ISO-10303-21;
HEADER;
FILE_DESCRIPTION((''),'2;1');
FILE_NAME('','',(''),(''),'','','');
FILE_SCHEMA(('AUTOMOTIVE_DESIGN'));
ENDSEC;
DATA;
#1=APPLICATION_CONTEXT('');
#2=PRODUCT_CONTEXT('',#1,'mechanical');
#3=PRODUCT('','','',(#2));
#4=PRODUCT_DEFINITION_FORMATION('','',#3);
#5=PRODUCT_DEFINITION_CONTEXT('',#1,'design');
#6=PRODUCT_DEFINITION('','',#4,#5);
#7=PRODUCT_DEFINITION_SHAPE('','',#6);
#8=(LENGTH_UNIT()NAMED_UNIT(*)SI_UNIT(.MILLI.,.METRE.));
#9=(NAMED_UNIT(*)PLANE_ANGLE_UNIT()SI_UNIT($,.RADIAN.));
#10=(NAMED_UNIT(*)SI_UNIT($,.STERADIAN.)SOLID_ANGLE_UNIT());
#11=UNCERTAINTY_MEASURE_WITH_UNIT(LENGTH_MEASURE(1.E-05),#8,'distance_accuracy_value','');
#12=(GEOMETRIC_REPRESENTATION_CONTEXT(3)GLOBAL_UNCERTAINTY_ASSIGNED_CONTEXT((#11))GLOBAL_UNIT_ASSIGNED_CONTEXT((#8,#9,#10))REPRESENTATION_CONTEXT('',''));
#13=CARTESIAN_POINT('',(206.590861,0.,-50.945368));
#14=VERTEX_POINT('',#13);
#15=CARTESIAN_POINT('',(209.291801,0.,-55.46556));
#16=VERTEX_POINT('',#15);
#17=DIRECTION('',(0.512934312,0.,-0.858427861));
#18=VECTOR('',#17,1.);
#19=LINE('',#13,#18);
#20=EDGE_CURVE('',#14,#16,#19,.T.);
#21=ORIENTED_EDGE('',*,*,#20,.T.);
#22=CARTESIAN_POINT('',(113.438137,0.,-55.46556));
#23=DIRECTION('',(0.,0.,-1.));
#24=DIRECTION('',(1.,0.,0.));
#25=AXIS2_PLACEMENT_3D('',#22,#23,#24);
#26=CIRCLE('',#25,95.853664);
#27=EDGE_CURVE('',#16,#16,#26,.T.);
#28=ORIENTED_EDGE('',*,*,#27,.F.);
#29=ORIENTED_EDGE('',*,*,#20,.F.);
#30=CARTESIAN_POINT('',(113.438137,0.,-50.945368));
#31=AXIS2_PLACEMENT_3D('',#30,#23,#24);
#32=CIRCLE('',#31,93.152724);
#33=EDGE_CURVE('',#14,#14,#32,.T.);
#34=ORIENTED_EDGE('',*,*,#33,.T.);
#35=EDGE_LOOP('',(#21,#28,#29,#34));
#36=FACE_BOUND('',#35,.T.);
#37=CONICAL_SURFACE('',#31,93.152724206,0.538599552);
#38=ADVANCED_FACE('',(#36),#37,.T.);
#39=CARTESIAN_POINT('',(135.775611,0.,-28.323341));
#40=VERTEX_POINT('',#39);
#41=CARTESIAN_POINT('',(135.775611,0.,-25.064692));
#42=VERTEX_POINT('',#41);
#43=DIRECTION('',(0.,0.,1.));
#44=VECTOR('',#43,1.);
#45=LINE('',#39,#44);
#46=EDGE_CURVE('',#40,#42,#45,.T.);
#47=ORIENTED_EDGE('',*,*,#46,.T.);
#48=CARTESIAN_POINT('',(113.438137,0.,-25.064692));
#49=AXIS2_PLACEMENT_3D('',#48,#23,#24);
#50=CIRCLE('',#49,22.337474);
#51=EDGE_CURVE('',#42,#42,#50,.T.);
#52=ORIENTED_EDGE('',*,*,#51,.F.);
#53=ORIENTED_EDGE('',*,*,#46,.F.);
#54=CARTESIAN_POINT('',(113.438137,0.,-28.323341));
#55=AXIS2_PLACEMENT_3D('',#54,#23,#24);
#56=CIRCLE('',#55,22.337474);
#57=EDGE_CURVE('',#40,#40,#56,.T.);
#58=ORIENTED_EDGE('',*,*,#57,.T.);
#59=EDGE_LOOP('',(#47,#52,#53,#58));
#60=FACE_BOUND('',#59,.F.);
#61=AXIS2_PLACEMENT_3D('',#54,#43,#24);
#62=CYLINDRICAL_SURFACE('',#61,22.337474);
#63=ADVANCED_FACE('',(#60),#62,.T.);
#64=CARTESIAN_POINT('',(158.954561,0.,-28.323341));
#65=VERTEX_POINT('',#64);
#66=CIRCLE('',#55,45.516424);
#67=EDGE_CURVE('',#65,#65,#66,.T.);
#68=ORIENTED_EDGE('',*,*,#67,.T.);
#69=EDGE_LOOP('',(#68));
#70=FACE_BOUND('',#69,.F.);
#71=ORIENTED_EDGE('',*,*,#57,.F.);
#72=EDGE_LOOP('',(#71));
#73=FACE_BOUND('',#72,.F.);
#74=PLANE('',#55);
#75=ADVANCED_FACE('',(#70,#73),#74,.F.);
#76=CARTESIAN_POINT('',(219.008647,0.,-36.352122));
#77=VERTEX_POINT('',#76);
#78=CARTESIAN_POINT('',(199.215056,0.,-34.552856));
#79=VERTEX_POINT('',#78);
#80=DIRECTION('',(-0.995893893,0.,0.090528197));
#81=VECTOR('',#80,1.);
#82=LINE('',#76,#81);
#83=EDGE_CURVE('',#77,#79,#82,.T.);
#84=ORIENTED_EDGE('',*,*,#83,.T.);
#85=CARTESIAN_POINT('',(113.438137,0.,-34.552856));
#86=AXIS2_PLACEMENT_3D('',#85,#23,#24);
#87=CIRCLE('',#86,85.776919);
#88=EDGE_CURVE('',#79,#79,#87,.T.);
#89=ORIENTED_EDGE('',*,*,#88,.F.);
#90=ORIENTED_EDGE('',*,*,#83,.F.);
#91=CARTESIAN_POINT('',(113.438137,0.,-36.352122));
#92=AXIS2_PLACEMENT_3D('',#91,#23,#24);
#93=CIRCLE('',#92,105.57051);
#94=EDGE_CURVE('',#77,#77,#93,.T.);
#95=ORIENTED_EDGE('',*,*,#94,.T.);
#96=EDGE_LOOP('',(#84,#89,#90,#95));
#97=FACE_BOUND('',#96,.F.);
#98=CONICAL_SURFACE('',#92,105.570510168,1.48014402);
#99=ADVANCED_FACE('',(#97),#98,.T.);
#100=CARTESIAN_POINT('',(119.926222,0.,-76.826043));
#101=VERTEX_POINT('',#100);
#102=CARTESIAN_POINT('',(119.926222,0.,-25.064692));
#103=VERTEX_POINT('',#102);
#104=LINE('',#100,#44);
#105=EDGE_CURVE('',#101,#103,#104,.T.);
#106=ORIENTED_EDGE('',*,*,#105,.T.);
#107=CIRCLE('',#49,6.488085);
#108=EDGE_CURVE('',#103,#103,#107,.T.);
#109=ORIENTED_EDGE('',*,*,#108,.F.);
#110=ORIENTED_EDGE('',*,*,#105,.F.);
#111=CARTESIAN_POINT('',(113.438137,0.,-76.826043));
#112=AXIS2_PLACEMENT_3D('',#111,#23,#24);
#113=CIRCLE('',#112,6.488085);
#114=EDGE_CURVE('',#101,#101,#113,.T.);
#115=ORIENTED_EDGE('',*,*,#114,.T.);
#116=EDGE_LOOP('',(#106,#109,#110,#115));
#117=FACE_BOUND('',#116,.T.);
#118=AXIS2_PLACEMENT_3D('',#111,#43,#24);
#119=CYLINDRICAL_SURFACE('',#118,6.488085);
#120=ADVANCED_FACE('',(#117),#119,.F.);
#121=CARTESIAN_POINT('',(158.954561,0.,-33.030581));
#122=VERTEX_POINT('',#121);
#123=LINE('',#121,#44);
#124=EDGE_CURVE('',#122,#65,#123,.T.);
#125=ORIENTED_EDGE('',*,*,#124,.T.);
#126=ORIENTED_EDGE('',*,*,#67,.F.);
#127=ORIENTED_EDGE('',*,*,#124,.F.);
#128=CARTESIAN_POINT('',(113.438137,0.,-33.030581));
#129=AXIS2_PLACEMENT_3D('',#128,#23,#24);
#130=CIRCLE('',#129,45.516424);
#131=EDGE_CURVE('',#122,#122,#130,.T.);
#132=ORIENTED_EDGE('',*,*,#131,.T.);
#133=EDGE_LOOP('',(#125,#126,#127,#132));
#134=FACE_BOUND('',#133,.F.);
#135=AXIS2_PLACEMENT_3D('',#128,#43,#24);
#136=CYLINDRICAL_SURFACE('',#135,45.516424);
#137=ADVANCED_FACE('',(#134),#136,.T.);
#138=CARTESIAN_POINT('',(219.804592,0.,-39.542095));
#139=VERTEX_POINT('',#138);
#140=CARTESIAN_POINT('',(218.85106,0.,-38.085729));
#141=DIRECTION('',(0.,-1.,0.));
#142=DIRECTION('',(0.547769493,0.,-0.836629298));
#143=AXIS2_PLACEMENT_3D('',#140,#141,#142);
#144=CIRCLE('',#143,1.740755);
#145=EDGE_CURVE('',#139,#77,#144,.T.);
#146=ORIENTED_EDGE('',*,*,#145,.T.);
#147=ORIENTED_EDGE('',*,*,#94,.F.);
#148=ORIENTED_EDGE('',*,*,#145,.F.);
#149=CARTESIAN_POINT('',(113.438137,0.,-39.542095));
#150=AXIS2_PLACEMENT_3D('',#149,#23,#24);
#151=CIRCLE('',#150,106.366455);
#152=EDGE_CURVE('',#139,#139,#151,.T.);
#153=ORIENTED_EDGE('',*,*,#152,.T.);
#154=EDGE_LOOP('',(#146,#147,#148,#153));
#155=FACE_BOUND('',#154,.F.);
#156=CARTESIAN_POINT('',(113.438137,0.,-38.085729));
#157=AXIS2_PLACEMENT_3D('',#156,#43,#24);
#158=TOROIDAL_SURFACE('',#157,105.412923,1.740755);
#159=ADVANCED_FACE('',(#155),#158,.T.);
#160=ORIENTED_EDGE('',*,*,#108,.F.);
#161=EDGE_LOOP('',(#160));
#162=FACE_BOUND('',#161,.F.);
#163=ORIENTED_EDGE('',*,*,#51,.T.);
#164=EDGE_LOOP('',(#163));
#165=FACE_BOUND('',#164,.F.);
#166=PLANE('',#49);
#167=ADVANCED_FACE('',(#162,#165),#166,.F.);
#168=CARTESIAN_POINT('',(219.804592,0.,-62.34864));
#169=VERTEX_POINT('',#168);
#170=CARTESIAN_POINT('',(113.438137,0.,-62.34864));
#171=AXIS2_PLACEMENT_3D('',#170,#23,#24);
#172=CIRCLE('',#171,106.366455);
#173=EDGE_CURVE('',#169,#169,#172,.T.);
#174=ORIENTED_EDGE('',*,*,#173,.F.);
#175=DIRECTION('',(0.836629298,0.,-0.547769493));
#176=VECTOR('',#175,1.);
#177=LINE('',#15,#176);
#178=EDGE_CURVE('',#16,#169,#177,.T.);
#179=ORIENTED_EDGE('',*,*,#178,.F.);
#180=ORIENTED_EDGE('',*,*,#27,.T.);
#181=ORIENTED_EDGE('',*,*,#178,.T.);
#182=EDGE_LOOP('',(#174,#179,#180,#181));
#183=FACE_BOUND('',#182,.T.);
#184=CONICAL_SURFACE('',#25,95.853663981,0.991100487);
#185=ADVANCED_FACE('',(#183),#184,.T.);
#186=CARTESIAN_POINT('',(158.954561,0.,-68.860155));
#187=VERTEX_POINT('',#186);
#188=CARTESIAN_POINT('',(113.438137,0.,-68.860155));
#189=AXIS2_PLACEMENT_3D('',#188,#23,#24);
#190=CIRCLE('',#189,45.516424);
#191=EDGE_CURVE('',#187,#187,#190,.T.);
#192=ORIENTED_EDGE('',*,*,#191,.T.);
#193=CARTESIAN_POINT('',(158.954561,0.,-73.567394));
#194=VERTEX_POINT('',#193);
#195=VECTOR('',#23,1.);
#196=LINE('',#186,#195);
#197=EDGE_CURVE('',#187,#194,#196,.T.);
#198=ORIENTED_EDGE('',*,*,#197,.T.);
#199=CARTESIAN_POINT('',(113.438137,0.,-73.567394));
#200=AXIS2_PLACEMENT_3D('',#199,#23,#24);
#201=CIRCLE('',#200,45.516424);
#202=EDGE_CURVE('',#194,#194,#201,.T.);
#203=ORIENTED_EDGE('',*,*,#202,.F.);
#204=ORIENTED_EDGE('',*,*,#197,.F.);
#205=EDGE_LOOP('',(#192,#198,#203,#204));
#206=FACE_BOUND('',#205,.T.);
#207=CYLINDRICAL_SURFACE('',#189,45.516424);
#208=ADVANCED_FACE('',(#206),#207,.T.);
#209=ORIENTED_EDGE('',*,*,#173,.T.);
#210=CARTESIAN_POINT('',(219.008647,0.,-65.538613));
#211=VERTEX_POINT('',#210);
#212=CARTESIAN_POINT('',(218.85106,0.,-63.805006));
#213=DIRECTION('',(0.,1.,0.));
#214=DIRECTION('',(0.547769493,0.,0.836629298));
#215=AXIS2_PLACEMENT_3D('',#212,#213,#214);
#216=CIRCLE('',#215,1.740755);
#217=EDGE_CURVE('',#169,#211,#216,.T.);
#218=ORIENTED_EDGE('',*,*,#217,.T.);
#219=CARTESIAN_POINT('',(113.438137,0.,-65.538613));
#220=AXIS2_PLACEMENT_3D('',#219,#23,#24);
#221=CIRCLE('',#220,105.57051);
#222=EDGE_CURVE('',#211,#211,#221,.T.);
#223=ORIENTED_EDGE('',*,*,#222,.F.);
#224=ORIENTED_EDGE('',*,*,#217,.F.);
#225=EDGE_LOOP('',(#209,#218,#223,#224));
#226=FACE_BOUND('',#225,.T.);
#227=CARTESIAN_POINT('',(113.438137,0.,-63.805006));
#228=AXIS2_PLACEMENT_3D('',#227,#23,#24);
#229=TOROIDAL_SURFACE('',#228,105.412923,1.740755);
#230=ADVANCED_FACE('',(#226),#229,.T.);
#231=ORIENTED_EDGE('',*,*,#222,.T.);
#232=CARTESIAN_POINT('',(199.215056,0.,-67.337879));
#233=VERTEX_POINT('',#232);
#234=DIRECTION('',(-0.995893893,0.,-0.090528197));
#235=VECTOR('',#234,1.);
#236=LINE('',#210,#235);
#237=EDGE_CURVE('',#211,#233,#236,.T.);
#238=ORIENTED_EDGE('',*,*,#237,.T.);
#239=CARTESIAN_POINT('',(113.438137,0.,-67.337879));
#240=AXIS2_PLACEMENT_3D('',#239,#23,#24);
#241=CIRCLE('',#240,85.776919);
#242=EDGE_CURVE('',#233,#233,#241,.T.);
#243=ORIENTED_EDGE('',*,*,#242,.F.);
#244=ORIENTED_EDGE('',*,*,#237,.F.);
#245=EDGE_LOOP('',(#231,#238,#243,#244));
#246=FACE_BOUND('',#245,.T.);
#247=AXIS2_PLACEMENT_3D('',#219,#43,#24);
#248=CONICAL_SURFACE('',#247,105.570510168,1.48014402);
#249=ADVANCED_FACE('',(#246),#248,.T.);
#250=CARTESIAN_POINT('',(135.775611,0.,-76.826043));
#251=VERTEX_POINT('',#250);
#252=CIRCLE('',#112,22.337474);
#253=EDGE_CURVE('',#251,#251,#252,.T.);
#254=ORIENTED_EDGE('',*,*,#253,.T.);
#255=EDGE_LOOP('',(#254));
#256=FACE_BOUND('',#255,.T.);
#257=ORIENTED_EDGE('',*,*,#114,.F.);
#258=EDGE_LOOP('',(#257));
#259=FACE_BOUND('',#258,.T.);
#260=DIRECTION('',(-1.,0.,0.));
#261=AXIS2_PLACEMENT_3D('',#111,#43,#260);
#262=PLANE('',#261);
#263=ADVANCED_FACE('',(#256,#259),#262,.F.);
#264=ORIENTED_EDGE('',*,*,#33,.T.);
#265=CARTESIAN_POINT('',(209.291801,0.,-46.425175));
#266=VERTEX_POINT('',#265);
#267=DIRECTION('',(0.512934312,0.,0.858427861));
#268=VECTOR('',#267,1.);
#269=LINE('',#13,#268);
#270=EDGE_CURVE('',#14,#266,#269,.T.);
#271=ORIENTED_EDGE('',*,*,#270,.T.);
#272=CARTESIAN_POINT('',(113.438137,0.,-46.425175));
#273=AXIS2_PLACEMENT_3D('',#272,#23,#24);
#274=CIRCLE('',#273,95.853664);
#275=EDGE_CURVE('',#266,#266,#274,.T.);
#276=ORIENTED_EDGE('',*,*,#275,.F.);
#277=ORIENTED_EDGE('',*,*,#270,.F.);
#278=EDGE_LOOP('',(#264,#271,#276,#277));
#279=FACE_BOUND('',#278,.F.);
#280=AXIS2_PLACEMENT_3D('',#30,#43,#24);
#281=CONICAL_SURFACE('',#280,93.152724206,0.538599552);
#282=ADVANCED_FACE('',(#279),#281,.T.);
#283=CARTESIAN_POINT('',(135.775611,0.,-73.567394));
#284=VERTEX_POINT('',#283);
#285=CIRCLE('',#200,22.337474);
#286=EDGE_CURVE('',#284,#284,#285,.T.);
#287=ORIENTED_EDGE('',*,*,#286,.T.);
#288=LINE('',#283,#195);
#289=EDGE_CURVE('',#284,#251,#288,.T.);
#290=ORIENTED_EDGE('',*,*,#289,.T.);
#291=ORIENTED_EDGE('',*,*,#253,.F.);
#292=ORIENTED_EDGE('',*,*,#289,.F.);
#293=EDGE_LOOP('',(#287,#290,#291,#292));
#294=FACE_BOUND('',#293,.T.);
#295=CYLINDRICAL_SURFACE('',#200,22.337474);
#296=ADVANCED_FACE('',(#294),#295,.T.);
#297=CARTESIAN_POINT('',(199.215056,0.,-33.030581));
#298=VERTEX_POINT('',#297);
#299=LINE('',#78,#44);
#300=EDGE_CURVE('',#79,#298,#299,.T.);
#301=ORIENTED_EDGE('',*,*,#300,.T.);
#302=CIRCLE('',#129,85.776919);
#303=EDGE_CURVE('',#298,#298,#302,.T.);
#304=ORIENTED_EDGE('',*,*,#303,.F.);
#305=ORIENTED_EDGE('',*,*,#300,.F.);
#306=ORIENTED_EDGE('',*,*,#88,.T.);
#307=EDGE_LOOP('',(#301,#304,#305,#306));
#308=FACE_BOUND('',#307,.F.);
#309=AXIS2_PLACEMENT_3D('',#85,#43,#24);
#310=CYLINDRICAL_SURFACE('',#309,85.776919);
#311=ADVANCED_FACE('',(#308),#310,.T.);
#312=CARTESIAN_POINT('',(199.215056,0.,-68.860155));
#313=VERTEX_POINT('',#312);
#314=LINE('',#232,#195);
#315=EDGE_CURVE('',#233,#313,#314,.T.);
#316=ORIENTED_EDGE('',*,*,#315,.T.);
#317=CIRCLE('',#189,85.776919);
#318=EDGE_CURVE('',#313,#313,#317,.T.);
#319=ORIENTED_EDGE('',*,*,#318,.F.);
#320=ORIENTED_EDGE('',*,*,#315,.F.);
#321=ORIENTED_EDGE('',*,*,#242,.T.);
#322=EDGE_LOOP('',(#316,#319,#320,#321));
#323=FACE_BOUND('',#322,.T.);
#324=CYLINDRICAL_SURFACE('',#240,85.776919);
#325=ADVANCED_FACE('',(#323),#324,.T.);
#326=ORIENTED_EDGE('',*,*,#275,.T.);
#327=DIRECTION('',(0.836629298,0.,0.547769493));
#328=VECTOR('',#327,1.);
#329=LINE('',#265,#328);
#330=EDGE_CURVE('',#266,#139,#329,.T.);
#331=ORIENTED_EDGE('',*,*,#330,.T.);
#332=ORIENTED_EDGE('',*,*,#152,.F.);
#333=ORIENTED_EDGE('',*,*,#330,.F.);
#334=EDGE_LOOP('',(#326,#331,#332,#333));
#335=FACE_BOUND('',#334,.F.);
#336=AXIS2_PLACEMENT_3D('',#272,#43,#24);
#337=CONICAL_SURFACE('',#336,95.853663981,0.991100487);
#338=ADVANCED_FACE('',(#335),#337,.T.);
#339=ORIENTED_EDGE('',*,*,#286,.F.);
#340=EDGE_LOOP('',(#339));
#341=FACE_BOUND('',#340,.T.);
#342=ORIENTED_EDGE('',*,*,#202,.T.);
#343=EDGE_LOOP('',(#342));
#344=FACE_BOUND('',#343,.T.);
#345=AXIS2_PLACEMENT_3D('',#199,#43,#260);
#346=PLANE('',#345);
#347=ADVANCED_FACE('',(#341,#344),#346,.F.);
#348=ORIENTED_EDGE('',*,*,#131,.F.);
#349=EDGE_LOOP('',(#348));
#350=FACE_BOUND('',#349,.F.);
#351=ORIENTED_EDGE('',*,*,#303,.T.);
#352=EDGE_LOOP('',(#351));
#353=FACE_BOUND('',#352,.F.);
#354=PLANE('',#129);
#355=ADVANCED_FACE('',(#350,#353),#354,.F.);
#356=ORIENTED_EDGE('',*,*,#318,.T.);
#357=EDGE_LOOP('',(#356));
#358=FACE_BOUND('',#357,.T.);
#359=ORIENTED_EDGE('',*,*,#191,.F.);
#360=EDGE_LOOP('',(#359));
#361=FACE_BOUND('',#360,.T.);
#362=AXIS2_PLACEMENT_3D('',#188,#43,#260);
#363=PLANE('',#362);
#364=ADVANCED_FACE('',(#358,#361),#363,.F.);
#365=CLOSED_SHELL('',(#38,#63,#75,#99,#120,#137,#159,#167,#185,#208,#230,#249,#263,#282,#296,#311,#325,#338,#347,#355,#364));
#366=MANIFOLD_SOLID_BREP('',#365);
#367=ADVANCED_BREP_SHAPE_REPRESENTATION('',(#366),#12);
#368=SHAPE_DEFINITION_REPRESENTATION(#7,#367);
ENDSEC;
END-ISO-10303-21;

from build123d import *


with BuildPart() as f1:
    # F0 (on Front) → F1 (revolve)
    with BuildSketch(Plane.XZ):
        with BuildLine():
            Line((119.9262216687, -50.9453676641), (206.5908610821, -50.9453676641))
            Line((206.5908610821, -50.9453676641), (209.2918008566, -46.4251749218))
            Line((209.2918008566, -46.4251749218), (219.8045918999, -39.5420951213))
            ThreePointArc((219.8045918999, -39.5420951213), (220.5400323468, -37.6643055384), (219.0086470441, -36.3521220821))
            Line((219.0086470441, -36.3521220821), (199.2150555966, -34.5528559543))
            Line((199.2150555966, -34.5528559543), (199.2150555966, -33.0305807292))
            Line((199.2150555966, -33.0305807292), (158.9545607567, -33.0305807292))
            Line((158.9545607567, -33.0305807292), (158.9545607567, -28.323341161))
            Line((158.9545607567, -28.323341161), (135.7756108046, -28.323341161))
            Line((135.7756108046, -28.323341161), (135.7756108046, -25.0646919012))
            Line((135.7756108046, -25.0646919012), (119.9262216687, -25.0646919012))
            Line((119.9262216687, -25.0646919012), (119.9262216687, -50.9453676641))
        make_face()
    revolve(axis=Axis((113.4381368756, 0, -32.0306840586), (0, 0, -1)))

    # F2: F1 across face


with BuildPart() as f1_1:
    add(f1.part)
    add(f1.part.mirror(Plane(origin=(113.4381368756, 0, -50.9453676641), x_dir=(1, 0, 0), z_dir=(0, 0, -1))))


solid = f1_1.part
